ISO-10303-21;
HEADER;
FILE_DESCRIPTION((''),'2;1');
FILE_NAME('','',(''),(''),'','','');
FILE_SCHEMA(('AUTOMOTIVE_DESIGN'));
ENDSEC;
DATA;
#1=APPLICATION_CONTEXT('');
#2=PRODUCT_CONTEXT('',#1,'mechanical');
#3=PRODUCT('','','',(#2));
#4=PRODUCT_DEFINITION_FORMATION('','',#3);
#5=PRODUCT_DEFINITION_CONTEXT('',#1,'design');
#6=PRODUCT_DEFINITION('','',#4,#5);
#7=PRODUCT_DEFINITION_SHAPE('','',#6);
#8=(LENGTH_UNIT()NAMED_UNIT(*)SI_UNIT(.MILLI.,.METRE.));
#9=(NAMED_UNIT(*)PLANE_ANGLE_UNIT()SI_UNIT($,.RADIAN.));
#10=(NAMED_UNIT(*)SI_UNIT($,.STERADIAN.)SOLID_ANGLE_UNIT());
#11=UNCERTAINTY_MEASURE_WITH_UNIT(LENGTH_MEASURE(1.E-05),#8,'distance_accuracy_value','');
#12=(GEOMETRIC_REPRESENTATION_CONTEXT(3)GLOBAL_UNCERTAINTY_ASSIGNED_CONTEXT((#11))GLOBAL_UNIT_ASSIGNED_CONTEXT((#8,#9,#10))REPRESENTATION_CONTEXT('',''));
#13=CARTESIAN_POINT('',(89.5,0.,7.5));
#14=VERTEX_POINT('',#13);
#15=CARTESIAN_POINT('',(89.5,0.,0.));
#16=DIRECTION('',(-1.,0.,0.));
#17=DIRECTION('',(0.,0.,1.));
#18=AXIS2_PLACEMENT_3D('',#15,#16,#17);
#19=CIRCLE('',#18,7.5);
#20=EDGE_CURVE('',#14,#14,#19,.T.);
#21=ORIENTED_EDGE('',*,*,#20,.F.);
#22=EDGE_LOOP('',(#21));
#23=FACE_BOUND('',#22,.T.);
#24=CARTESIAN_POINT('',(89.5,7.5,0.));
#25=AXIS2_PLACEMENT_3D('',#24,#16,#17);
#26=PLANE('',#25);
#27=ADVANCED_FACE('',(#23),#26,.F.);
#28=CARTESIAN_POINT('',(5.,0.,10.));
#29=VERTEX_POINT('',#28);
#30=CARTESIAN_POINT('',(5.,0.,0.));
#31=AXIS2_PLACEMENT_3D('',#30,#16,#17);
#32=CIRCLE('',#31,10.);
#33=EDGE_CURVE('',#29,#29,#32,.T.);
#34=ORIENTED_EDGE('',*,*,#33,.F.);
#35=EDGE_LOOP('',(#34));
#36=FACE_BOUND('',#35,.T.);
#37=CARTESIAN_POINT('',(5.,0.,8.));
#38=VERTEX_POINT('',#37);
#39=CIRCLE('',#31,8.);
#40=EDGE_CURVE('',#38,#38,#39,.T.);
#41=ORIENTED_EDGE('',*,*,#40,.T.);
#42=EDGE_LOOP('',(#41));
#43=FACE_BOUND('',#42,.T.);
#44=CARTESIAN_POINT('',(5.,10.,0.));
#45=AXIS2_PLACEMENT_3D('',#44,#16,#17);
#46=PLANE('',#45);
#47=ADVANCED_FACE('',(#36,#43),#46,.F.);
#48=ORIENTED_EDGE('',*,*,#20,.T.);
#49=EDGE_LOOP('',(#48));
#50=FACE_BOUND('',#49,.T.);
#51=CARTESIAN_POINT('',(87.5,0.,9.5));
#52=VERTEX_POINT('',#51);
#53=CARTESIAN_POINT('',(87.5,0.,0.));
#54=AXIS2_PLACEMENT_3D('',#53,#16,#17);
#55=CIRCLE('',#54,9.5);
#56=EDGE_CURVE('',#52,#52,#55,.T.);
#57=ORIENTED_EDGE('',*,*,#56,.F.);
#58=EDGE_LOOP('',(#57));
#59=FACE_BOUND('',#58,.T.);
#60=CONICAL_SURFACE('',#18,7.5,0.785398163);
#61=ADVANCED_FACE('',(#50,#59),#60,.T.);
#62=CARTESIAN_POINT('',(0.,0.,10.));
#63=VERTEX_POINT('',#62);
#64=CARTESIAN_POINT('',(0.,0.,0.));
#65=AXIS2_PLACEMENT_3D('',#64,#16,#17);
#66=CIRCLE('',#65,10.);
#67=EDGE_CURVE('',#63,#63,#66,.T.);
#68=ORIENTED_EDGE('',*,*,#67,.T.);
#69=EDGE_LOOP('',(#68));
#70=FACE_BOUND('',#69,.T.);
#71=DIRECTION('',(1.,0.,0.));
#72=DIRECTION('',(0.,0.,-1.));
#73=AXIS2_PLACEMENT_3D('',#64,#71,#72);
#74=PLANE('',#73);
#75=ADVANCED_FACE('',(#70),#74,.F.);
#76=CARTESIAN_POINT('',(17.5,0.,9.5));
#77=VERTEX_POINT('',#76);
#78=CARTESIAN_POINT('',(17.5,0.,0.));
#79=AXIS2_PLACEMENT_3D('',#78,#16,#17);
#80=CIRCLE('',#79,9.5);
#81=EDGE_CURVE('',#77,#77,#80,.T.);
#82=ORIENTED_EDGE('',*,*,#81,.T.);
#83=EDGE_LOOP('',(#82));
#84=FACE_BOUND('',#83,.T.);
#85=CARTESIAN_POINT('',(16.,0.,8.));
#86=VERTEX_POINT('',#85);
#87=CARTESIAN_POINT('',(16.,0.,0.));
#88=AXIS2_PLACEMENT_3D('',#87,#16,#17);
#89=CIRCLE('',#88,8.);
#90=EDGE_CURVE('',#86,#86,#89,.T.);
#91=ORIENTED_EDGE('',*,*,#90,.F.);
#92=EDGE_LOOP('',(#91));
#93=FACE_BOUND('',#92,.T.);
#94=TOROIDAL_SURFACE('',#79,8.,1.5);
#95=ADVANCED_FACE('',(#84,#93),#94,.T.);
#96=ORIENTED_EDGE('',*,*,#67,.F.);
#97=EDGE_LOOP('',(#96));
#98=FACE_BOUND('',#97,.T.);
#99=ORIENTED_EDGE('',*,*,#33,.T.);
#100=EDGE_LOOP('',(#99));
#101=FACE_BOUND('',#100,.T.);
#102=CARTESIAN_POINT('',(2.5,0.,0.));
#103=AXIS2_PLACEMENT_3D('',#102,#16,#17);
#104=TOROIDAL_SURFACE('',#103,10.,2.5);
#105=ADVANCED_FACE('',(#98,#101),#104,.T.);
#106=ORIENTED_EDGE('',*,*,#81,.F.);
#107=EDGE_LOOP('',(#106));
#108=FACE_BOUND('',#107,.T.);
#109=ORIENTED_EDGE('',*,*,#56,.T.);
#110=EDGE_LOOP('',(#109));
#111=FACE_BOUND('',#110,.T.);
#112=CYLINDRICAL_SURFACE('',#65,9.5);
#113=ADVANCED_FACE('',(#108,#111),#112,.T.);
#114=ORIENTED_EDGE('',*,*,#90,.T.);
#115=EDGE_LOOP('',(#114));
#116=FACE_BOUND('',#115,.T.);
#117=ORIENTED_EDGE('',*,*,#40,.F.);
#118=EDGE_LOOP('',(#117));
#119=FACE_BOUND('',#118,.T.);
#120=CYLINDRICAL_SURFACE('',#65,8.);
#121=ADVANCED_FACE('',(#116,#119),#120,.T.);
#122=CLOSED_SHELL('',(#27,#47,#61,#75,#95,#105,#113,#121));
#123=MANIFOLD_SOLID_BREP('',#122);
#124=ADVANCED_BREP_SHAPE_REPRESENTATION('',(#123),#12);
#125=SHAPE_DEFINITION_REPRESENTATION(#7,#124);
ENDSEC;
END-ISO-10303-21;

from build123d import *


with BuildPart() as part:
    # Sketch1 → Revolve1 (revolve)
    with BuildSketch(Plane.XY, mode=Mode.PRIVATE) as revolve1_sk:
        with BuildLine():
            Line((0, 0), (0, 10))
            ThreePointArc((0, 10), (2.5, 12.5), (5, 10))
            Line((5, 10), (5, 8))
            Line((5, 8), (16, 8))
            ThreePointArc((16, 8), (16.439339828, 9.060660172), (17.5, 9.5))
            Line((17.5, 9.5), (87.5, 9.5))
            Line((87.5, 9.5), (89.5, 7.5))
            Line((89.5, 7.5), (89.5, 0))
            Line((89.5, 0), (0, 0))
        make_face()
    revolve(revolve1_sk.sketch.rotate(Axis((0, 0, 0), (1, 0, 0)), 90), axis=Axis((0, 0, 0), (1, 0, 0)))


solid = part.part
